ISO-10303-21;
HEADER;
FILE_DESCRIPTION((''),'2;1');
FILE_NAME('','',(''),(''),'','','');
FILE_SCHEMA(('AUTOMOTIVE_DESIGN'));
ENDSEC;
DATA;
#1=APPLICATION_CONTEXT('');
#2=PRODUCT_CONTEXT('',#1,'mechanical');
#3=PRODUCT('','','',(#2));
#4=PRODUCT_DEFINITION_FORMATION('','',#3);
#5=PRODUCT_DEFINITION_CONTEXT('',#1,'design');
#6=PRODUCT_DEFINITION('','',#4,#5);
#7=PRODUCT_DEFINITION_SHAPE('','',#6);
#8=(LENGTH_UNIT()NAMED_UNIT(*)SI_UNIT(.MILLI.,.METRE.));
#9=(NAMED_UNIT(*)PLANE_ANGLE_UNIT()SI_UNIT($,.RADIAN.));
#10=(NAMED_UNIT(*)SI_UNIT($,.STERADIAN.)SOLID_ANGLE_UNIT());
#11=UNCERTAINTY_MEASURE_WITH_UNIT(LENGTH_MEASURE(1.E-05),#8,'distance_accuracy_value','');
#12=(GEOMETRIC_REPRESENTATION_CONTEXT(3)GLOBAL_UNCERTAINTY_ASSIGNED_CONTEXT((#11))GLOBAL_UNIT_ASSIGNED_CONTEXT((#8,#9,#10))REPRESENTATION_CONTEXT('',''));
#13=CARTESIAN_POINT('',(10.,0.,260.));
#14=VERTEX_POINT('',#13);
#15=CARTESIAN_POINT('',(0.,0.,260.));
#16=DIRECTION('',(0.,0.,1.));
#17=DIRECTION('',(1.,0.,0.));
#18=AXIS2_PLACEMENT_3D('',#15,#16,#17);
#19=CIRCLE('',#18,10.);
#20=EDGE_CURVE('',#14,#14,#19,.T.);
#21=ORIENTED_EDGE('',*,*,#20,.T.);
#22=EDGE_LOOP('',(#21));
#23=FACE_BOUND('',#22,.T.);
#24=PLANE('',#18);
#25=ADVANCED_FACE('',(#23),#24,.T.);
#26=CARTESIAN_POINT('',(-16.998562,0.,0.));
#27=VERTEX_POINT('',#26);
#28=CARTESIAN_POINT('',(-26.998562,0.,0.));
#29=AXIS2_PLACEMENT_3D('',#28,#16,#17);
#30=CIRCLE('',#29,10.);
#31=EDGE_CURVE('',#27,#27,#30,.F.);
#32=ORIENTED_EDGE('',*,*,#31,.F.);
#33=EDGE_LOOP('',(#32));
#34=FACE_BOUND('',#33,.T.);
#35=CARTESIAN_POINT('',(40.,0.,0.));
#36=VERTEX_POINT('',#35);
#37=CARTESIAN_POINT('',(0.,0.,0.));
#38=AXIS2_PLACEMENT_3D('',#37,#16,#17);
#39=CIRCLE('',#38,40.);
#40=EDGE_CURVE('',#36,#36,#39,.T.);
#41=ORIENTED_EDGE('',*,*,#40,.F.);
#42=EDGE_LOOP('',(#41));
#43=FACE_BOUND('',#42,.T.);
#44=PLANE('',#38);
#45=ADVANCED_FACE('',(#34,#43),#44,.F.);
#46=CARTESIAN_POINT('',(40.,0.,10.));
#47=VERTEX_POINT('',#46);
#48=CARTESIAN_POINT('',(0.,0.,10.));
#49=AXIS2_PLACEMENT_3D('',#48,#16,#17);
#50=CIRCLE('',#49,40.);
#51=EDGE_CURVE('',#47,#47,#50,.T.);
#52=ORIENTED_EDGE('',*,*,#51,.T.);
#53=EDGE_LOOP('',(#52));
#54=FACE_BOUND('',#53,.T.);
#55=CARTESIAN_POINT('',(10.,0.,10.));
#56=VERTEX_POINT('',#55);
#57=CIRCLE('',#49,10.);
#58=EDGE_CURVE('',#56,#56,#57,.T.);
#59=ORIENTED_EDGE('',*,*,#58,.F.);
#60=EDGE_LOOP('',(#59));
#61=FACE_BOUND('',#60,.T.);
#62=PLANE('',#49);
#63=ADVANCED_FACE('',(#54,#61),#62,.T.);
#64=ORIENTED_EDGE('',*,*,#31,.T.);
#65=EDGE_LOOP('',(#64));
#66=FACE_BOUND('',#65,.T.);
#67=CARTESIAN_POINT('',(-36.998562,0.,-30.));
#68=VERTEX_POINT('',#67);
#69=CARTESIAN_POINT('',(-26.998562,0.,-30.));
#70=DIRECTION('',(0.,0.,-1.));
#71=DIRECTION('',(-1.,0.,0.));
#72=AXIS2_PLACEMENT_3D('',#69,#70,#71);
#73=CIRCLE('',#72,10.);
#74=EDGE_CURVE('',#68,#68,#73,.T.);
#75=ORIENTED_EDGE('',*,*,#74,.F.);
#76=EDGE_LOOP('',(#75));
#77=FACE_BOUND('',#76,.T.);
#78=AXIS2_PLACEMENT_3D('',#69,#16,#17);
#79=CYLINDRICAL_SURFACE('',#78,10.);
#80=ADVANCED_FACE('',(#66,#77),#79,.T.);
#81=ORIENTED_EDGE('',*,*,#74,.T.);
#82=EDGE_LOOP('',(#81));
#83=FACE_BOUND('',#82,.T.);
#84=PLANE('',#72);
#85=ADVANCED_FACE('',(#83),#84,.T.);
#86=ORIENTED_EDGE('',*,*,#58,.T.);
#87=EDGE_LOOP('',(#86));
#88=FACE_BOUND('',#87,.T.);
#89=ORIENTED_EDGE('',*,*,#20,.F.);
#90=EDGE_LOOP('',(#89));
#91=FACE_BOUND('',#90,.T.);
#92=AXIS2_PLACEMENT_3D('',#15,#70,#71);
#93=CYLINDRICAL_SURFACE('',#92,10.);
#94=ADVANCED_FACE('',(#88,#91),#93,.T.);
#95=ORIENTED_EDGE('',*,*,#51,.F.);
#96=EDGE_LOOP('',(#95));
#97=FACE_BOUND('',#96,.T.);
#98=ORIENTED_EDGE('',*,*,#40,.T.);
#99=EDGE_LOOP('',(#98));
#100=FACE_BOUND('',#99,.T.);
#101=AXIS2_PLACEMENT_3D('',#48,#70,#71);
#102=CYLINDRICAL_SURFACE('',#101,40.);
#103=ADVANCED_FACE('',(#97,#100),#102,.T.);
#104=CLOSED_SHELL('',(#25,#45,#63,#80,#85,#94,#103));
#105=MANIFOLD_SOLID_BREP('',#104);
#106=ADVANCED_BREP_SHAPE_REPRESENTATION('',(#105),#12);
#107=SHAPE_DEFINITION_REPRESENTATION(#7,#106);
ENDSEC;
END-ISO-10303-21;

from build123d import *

# Parameters (mm, degrees)
SKETCH1_R           = 40
BOSS_EXTRUDE1_DEPTH = 10
SKETCH2_R           = 10
BOSS_EXTRUDE2_DEPTH = 250
SKETCH3_R           = 10
BOSS_EXTRUDE3_DEPTH = 30


with BuildPart() as part:
    # Sketch1 → Boss-Extrude1 (new body)
    with BuildSketch(Plane.XY):
        Circle(SKETCH1_R)
    extrude(amount=BOSS_EXTRUDE1_DEPTH)

    # Sketch2 → Boss-Extrude2 (add)
    with BuildSketch(Plane.XY.offset(10)):
        Circle(SKETCH2_R)
    extrude(amount=BOSS_EXTRUDE2_DEPTH)

    # Sketch3 → Boss-Extrude3 (add)
    with BuildSketch(Plane(origin=(0, 0, 0), x_dir=(-1, 0, 0), z_dir=(0, 0, -1))):
        with Locations((26.998561916, 0)):
            Circle(SKETCH3_R)
    extrude(amount=BOSS_EXTRUDE3_DEPTH)


solid = part.part
